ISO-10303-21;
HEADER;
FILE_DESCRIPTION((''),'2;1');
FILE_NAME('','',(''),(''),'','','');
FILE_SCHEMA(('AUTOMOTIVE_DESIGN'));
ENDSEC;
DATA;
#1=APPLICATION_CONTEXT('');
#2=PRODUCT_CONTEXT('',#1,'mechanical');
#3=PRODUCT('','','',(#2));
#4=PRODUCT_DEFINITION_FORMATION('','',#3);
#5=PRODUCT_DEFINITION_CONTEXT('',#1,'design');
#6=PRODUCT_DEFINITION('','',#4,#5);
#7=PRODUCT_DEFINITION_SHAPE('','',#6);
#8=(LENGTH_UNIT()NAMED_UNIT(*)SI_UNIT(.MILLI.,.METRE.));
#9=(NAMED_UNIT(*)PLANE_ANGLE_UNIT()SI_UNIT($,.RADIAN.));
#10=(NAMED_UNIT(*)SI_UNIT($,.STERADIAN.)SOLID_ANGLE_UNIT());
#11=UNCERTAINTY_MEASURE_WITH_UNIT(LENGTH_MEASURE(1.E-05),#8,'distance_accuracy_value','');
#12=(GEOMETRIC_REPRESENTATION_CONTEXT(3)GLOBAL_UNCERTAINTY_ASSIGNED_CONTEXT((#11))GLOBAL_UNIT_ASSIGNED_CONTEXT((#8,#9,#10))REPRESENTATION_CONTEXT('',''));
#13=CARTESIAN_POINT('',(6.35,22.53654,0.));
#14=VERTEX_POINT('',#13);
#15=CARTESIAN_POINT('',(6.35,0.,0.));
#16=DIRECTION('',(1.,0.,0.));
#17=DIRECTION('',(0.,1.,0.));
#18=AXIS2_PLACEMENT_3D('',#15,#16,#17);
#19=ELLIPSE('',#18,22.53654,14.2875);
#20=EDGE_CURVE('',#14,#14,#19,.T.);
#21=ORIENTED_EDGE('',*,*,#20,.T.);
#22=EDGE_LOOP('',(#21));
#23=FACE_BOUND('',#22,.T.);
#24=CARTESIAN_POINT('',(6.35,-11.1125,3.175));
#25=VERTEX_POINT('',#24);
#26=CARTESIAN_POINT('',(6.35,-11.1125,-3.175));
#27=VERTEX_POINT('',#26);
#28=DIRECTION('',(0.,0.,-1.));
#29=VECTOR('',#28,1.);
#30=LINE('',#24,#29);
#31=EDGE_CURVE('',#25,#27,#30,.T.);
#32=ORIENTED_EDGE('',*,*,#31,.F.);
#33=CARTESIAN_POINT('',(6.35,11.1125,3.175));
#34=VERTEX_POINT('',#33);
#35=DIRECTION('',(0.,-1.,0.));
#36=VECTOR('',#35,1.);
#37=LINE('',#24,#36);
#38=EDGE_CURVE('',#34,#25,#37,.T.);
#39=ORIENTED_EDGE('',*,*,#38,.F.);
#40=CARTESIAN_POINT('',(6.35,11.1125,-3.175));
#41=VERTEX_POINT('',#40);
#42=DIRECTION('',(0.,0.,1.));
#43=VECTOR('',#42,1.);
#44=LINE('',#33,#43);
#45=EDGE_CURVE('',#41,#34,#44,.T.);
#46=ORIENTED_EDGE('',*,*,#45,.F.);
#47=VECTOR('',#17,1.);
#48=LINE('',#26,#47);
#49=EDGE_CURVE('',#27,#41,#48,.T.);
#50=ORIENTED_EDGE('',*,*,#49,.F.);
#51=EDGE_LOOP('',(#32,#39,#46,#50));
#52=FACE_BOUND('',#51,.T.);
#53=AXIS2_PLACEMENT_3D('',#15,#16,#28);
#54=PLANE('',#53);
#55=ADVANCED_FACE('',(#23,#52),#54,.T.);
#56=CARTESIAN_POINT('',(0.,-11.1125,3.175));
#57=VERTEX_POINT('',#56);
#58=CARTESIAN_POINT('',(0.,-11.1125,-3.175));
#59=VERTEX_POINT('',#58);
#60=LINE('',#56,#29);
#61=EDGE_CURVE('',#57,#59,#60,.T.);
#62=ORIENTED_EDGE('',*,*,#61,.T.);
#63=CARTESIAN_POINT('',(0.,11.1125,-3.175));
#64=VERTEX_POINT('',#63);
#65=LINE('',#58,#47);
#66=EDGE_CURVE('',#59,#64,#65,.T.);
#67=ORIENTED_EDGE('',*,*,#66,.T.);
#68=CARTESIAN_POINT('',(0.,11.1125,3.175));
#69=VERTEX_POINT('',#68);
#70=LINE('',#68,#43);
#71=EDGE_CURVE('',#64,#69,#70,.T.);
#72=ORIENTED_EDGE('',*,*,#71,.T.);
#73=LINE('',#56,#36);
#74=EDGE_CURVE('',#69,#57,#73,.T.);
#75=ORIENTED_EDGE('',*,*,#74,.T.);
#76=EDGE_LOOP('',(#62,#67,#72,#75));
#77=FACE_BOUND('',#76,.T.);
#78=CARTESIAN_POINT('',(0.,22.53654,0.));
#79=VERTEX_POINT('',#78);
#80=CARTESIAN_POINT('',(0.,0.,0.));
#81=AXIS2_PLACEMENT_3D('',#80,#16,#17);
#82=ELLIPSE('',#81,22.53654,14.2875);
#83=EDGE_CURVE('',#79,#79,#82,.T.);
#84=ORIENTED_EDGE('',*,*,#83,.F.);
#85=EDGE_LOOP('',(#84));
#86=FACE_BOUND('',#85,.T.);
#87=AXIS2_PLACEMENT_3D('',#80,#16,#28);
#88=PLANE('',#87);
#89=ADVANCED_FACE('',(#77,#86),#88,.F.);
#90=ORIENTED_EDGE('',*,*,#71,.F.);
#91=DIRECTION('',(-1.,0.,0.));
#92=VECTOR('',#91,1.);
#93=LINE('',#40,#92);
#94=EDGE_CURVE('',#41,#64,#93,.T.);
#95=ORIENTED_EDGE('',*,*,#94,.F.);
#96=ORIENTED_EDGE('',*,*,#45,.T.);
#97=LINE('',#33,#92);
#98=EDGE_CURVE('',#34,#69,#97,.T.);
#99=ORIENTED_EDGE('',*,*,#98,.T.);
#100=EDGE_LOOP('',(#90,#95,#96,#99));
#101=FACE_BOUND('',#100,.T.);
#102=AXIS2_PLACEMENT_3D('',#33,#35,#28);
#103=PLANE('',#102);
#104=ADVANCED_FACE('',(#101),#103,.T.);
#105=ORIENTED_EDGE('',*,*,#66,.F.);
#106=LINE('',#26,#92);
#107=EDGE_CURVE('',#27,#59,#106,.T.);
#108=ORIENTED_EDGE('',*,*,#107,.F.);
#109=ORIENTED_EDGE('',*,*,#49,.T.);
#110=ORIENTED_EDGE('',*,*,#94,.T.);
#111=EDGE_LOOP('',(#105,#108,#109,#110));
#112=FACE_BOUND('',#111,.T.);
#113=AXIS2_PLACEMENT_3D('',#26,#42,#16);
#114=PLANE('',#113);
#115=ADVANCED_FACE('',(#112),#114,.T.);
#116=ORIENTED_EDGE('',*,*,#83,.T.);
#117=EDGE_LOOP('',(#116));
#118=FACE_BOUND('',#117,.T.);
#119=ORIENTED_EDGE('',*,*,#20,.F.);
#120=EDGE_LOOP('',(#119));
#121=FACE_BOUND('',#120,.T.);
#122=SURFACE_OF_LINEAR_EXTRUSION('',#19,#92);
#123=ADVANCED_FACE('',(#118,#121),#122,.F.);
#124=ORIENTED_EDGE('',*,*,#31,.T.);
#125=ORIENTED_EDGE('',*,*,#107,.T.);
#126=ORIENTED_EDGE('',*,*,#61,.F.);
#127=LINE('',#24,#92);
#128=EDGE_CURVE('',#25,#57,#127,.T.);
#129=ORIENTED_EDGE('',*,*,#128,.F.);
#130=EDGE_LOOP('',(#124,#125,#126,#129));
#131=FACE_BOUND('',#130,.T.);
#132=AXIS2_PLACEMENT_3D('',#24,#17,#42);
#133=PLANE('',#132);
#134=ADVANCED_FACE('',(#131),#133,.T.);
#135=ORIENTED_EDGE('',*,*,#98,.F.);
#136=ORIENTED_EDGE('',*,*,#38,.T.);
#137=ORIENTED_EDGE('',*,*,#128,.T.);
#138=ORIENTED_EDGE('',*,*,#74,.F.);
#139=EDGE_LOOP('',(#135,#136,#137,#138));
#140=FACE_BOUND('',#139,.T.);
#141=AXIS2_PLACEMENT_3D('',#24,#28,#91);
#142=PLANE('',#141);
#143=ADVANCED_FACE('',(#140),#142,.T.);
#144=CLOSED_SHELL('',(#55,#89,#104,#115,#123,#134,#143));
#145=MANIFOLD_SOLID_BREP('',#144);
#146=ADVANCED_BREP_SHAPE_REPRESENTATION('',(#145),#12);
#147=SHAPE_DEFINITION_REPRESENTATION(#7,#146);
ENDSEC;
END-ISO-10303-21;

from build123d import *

# Parameters (mm, degrees)
SKETCH1_RX          = 22.536539577
SKETCH1_RY          = 14.2875
SKETCH1_W           = 6.35
SKETCH1_H           = 22.225
BOSS_EXTRUDE1_DEPTH = 6.35


with BuildPart() as part:
    # Sketch1 → Boss-Extrude1 (new body)
    with BuildSketch(Plane(origin=(0, 0, 0), x_dir=(0, 0, -1), z_dir=(1, 0, 0))):
        with Locations(Location((0, 0), (0, 0, 90))):
            Ellipse(SKETCH1_RX, SKETCH1_RY)
        Rectangle(SKETCH1_W, SKETCH1_H, mode=Mode.SUBTRACT)
    extrude(amount=BOSS_EXTRUDE1_DEPTH)


solid = part.part
